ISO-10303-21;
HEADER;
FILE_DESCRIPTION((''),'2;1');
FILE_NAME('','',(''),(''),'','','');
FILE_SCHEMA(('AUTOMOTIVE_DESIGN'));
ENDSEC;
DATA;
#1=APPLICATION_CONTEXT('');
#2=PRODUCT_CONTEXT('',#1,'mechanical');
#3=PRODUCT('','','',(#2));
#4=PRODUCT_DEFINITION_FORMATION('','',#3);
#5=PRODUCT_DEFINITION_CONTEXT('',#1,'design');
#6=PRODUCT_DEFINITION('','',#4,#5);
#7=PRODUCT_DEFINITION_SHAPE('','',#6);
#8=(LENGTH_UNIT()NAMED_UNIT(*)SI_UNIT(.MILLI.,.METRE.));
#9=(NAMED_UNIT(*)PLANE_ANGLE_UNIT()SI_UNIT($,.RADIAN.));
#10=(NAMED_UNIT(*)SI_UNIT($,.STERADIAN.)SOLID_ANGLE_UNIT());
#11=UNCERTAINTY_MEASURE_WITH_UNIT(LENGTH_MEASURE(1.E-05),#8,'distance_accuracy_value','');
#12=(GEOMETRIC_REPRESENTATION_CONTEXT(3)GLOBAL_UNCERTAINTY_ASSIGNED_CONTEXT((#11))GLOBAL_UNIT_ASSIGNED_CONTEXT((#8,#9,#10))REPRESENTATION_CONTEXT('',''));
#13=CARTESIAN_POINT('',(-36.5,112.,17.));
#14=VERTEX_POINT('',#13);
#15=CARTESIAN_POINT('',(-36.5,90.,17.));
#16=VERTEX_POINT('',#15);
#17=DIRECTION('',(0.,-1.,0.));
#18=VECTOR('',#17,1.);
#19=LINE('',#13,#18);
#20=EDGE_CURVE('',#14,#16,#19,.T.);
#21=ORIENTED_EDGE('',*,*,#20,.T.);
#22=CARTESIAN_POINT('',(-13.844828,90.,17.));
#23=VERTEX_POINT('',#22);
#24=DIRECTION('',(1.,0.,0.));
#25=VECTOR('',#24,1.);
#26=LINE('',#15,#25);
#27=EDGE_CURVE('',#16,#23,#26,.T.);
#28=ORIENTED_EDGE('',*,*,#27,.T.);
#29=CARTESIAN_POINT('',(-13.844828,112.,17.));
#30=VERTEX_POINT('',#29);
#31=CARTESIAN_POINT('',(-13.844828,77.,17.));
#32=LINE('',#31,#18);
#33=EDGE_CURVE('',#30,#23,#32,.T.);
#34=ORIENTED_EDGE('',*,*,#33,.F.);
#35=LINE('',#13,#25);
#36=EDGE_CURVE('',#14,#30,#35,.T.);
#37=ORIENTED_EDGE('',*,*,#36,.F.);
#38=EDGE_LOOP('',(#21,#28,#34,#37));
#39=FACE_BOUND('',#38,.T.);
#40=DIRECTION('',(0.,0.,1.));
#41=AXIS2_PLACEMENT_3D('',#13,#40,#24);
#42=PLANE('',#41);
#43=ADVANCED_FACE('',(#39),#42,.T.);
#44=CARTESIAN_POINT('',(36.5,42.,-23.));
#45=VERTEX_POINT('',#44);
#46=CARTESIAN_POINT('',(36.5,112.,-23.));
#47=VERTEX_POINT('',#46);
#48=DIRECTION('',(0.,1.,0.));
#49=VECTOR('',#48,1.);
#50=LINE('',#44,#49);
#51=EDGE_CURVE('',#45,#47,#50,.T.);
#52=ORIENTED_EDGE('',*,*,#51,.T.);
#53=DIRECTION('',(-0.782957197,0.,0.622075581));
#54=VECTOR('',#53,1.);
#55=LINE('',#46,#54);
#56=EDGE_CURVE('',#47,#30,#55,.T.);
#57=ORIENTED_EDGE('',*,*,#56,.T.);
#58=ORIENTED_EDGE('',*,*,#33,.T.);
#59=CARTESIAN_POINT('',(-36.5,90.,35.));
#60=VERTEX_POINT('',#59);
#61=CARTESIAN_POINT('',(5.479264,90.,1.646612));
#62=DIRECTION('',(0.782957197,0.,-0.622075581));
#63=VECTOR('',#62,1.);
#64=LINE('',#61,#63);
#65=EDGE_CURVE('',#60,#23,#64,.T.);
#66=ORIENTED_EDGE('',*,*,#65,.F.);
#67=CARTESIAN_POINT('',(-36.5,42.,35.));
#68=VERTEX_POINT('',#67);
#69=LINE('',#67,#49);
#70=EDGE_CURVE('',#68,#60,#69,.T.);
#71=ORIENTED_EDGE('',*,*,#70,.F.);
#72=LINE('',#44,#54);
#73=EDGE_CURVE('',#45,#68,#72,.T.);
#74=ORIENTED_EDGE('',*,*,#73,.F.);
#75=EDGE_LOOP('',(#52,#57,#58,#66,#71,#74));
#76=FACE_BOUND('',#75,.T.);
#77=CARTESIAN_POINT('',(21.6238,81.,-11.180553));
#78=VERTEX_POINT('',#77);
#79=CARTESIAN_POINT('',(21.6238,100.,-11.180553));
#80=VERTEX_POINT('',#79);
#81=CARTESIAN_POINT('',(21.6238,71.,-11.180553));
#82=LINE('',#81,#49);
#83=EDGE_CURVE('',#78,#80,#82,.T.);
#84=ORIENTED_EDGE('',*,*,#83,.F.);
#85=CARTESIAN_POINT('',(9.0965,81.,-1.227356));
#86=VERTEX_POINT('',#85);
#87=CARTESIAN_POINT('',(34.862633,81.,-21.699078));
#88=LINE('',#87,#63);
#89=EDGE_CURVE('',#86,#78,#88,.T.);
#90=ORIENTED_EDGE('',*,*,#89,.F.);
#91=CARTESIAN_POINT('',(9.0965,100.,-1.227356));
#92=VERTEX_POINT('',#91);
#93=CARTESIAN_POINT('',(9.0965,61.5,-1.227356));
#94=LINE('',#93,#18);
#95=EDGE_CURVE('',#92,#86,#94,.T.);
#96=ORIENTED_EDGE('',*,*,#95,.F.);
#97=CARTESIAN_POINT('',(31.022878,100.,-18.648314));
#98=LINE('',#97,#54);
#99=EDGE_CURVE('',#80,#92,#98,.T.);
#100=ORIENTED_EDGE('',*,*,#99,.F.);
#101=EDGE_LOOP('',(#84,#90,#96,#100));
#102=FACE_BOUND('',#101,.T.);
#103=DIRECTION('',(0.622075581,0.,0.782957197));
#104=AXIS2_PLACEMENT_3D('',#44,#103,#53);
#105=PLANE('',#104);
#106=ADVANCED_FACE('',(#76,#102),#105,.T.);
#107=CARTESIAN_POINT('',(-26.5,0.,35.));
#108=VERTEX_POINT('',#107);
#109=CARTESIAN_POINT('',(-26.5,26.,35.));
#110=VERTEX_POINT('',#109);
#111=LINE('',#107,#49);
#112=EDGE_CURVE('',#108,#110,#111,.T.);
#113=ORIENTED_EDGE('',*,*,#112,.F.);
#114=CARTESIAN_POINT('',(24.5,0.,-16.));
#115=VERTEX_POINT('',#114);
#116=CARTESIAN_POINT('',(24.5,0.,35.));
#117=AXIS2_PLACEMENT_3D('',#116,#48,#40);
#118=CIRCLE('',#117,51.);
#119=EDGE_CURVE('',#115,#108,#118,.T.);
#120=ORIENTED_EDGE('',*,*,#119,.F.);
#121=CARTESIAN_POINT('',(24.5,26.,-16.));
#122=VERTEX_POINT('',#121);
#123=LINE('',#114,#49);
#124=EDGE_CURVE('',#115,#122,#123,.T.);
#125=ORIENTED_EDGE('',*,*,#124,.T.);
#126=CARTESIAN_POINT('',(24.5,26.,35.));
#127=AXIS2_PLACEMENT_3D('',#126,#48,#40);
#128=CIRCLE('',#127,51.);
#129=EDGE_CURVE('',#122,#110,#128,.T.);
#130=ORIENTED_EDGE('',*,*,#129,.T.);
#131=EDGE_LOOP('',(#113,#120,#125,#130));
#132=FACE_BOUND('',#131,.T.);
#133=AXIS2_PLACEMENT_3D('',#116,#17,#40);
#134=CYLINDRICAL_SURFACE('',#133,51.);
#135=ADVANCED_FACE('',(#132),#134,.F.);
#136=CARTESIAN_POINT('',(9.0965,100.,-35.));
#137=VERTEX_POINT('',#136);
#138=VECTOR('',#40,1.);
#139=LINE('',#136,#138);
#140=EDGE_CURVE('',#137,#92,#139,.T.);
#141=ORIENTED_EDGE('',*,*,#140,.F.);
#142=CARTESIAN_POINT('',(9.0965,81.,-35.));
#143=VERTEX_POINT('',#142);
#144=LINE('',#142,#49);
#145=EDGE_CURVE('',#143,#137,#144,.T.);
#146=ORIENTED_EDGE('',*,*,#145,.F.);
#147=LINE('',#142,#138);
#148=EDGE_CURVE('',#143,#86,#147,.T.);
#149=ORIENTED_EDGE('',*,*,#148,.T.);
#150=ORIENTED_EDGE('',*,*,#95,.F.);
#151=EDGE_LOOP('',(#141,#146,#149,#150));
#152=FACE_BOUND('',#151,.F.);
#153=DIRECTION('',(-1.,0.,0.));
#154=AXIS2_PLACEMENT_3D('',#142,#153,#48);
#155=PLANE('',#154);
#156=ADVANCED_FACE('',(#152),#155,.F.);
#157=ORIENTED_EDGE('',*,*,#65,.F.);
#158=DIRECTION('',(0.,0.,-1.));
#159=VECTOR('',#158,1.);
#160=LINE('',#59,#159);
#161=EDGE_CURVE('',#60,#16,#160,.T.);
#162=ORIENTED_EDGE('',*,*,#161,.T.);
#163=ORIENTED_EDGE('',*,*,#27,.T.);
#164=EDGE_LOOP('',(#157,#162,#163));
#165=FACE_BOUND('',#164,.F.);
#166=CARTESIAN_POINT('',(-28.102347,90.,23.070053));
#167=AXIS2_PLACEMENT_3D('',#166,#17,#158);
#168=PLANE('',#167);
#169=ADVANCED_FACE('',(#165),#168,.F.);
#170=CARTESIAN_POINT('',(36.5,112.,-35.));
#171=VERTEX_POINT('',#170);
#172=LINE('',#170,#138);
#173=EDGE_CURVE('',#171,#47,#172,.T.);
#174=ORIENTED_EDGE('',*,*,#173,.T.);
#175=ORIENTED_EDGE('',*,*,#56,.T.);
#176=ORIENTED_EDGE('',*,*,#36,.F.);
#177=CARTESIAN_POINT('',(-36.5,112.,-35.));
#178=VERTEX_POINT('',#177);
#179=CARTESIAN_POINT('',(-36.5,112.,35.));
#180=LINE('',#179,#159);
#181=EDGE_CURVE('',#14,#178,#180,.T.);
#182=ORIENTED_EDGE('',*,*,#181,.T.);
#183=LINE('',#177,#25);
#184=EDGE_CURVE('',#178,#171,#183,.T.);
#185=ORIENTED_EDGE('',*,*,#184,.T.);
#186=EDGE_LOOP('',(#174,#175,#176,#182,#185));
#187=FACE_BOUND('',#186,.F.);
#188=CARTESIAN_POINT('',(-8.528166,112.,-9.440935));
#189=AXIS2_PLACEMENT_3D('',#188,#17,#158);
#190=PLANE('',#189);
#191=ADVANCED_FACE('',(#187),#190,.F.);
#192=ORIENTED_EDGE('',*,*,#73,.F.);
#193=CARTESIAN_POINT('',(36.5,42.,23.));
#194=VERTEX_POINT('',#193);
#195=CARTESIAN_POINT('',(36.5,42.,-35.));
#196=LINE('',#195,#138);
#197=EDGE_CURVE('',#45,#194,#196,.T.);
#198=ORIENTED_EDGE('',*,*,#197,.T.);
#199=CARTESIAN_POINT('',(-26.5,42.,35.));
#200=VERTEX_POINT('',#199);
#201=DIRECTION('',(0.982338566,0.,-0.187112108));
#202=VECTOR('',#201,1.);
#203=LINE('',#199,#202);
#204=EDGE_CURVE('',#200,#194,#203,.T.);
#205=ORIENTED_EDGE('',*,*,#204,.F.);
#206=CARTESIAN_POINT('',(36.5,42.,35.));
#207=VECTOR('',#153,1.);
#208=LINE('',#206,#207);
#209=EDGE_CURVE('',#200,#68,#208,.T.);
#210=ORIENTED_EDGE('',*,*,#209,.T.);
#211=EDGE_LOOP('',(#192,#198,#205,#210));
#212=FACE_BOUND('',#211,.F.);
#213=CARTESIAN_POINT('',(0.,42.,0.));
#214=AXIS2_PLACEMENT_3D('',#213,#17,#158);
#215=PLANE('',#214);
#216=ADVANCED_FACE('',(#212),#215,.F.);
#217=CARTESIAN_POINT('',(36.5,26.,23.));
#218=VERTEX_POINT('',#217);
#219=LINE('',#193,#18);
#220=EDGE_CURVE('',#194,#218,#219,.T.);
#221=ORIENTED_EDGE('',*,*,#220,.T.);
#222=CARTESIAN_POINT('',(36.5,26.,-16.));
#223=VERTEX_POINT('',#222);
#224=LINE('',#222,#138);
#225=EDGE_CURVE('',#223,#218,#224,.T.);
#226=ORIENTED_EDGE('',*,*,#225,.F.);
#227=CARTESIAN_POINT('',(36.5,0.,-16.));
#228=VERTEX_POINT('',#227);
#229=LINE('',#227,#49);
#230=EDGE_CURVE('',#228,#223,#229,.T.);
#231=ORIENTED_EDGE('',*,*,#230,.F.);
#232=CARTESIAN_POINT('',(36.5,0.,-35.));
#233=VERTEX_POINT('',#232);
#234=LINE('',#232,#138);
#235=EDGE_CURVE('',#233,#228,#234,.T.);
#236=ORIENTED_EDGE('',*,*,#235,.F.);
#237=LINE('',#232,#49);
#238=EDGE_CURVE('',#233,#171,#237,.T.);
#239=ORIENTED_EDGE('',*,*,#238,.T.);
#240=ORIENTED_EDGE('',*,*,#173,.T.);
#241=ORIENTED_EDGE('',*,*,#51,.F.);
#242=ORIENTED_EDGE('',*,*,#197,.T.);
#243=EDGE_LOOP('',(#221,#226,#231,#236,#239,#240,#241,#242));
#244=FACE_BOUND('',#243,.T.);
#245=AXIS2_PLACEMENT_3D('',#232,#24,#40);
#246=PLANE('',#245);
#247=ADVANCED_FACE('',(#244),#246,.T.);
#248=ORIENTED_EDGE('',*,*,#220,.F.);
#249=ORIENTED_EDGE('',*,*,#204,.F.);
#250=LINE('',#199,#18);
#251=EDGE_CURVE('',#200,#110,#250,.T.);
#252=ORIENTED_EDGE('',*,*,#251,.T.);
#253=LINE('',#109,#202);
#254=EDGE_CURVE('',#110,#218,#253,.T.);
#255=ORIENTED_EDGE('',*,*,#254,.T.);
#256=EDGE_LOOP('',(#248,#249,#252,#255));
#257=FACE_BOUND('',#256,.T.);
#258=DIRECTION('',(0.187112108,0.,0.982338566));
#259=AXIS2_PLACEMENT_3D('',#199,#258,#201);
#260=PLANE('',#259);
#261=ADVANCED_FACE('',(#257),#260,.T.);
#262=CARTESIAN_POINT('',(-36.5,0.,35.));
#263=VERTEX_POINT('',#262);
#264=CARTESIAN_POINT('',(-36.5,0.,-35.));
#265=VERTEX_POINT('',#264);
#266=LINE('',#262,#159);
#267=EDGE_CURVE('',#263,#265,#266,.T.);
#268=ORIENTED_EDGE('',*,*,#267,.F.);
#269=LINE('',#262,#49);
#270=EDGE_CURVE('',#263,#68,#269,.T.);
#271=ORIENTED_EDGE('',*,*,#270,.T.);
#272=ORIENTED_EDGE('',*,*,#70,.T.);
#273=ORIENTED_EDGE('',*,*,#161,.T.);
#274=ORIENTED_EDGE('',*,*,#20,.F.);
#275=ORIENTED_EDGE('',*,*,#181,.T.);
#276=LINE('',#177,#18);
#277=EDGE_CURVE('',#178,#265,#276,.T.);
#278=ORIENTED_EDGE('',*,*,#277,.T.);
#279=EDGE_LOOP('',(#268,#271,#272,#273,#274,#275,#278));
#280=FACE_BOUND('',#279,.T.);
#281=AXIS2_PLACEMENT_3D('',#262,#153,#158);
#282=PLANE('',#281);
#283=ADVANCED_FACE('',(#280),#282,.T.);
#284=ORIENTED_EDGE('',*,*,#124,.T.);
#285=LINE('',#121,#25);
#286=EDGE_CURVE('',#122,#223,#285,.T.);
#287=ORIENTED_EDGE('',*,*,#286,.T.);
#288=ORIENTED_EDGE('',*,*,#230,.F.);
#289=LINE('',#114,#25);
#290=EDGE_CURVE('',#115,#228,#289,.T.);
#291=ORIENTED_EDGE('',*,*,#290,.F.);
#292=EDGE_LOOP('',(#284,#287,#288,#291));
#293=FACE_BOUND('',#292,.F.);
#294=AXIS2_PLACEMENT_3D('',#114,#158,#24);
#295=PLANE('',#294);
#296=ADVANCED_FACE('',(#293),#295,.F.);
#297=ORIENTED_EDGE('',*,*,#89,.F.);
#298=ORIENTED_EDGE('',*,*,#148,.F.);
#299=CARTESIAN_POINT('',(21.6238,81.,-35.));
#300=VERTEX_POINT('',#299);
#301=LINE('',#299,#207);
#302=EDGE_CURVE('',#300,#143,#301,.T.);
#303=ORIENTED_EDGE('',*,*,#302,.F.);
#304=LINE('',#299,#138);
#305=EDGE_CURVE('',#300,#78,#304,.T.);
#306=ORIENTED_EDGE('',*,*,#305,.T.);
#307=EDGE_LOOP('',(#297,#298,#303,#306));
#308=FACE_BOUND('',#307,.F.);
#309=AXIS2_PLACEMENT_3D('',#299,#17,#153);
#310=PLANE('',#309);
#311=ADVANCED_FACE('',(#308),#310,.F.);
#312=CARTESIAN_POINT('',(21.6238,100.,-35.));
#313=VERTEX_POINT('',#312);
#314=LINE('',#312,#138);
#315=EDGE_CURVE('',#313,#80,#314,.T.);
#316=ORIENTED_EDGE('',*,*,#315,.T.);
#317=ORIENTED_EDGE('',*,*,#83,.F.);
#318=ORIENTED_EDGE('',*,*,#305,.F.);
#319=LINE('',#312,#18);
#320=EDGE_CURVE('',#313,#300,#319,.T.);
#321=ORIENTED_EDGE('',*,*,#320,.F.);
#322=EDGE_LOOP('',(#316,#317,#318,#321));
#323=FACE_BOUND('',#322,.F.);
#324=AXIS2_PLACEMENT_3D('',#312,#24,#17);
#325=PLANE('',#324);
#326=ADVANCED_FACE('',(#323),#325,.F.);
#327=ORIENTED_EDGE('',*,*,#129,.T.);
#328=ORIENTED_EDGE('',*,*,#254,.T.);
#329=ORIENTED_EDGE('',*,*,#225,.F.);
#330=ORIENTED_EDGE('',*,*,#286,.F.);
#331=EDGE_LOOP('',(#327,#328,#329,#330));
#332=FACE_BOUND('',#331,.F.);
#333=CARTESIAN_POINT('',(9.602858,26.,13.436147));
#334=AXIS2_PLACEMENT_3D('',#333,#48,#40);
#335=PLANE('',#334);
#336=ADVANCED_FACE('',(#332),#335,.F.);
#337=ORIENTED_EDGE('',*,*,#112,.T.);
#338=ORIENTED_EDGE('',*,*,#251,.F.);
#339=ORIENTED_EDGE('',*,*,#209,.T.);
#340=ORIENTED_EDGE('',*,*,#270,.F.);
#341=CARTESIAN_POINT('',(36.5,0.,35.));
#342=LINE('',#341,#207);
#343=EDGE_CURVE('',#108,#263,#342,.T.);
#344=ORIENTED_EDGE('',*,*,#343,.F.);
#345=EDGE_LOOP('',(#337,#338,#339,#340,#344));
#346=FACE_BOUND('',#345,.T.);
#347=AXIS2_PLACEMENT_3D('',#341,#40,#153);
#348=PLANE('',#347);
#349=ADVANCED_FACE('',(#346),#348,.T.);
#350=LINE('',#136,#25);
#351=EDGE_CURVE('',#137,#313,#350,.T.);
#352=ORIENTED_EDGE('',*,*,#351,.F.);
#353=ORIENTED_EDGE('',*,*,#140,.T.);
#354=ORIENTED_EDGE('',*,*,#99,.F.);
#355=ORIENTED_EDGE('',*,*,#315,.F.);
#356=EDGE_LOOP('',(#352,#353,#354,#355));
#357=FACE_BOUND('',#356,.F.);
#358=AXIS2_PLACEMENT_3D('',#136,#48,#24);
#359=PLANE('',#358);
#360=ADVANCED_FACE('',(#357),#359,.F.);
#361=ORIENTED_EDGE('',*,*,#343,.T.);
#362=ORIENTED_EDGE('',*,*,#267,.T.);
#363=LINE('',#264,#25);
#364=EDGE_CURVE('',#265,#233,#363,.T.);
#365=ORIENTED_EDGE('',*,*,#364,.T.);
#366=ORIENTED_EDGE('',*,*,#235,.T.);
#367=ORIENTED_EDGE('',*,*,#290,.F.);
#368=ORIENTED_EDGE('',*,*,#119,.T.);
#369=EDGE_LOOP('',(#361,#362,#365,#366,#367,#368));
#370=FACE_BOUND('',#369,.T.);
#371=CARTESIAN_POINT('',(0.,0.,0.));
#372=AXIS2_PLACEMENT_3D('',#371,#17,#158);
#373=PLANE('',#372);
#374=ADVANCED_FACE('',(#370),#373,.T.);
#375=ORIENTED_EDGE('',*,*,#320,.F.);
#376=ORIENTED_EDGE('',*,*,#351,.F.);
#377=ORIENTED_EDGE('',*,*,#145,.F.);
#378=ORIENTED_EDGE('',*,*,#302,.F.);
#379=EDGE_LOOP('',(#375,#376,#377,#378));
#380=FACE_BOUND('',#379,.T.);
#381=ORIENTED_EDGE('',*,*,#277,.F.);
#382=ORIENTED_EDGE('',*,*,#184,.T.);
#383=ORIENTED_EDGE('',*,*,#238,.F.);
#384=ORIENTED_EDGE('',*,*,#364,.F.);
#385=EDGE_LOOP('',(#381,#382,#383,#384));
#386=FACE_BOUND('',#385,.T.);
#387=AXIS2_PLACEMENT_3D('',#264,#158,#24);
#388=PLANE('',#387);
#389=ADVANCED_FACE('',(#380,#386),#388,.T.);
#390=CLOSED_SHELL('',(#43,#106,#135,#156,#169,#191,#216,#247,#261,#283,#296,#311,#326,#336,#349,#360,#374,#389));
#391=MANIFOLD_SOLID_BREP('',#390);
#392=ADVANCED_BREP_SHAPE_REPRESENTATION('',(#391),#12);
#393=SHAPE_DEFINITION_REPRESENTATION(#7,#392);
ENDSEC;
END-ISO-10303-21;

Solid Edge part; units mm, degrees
sketch "Sketch1" plane through (0, 0, 0) normal (0, -1, 0) x (1, 0, 0)
  line L0 (36.5, 35) -> (-36.5, 35)
  line L1 (-36.5, 35) -> (-36.5, -35)
  line L2 (-36.5, -35) -> (36.5, -35)
  line L3 (36.5, -35) -> (36.5, 35)
extrude "Protrusion1" add sketch "Sketch1" against normal blind 42
sketch "Sketch2" plane through (0, 42, 0) normal (0, 1, 0) x (-1, 0, 0)
  line L0 (-36.5, -23) -> (36.5, 35)
  line L1 (36.5, 35) -> (36.5, -35)
  line L2 (36.5, -35) -> (-36.5, -35)
  line L3 (-36.5, -35) -> (-36.5, -23)
extrude "ExtrudedProtrusion_3" add sketch "Sketch2" along normal blind 70
sketch "Sketch3" plane through (0, 42, 6) normal (0, 1, 0) x (0, 0, -1)
  line L0 (-29, 26.5) -> (-17, -36.5)
  line L1 (-17, -36.5) -> (-29, -36.5)
  line L2 (-29, -36.5) -> (-29, 26.5)
extrude "ExtrudedCutout_5" cut sketch "Sketch3" against normal blind 16
sketch "Sketch4" plane through (0, 0, 0) normal (0, -1, 0) x (0, 0, 1)
  line L0 (35, 26.5) -> (35, -24.5)
  line L1 (35, -36.5) -> (35, -24.5)
  line L2 (-16, -36.5) -> (35, -36.5)
  line L3 (-16, -24.5) -> (-16, -36.5)
  arc A0 (-16, -24.5) -> (35, 26.5) centre (35, -24.5) cw
extrude "ExtrudedCutout_6" cut sketch "Sketch4" against normal blind 26
sketch "Sketch5" plane through (0, 112, 0) normal (0, 1, 0) x (-1, 0, 0)
  line L0 (13.8448, 17) -> (36.5, 35)
  line L1 (36.5, 35) -> (36.5, 17)
  line L2 (36.5, 17) -> (13.8448, 17)
extrude "ExtrudedCutout_7" cut sketch "Sketch5" against normal blind 22
sketch "Sketch6" plane through (0, 56, -35) normal (0, 0, -1) x (0, 1, 0)
  line L0 (44, 9.0965) -> (44, 21.6238)
  line L1 (44, 21.6238) -> (25, 21.6238)
  line L2 (25, 21.6238) -> (25, 9.0965)
  line L3 (25, 9.0965) -> (44, 9.0965)
extrude "ExtrudedCutout_8" cut sketch "Sketch6" against normal blind 51.7382
